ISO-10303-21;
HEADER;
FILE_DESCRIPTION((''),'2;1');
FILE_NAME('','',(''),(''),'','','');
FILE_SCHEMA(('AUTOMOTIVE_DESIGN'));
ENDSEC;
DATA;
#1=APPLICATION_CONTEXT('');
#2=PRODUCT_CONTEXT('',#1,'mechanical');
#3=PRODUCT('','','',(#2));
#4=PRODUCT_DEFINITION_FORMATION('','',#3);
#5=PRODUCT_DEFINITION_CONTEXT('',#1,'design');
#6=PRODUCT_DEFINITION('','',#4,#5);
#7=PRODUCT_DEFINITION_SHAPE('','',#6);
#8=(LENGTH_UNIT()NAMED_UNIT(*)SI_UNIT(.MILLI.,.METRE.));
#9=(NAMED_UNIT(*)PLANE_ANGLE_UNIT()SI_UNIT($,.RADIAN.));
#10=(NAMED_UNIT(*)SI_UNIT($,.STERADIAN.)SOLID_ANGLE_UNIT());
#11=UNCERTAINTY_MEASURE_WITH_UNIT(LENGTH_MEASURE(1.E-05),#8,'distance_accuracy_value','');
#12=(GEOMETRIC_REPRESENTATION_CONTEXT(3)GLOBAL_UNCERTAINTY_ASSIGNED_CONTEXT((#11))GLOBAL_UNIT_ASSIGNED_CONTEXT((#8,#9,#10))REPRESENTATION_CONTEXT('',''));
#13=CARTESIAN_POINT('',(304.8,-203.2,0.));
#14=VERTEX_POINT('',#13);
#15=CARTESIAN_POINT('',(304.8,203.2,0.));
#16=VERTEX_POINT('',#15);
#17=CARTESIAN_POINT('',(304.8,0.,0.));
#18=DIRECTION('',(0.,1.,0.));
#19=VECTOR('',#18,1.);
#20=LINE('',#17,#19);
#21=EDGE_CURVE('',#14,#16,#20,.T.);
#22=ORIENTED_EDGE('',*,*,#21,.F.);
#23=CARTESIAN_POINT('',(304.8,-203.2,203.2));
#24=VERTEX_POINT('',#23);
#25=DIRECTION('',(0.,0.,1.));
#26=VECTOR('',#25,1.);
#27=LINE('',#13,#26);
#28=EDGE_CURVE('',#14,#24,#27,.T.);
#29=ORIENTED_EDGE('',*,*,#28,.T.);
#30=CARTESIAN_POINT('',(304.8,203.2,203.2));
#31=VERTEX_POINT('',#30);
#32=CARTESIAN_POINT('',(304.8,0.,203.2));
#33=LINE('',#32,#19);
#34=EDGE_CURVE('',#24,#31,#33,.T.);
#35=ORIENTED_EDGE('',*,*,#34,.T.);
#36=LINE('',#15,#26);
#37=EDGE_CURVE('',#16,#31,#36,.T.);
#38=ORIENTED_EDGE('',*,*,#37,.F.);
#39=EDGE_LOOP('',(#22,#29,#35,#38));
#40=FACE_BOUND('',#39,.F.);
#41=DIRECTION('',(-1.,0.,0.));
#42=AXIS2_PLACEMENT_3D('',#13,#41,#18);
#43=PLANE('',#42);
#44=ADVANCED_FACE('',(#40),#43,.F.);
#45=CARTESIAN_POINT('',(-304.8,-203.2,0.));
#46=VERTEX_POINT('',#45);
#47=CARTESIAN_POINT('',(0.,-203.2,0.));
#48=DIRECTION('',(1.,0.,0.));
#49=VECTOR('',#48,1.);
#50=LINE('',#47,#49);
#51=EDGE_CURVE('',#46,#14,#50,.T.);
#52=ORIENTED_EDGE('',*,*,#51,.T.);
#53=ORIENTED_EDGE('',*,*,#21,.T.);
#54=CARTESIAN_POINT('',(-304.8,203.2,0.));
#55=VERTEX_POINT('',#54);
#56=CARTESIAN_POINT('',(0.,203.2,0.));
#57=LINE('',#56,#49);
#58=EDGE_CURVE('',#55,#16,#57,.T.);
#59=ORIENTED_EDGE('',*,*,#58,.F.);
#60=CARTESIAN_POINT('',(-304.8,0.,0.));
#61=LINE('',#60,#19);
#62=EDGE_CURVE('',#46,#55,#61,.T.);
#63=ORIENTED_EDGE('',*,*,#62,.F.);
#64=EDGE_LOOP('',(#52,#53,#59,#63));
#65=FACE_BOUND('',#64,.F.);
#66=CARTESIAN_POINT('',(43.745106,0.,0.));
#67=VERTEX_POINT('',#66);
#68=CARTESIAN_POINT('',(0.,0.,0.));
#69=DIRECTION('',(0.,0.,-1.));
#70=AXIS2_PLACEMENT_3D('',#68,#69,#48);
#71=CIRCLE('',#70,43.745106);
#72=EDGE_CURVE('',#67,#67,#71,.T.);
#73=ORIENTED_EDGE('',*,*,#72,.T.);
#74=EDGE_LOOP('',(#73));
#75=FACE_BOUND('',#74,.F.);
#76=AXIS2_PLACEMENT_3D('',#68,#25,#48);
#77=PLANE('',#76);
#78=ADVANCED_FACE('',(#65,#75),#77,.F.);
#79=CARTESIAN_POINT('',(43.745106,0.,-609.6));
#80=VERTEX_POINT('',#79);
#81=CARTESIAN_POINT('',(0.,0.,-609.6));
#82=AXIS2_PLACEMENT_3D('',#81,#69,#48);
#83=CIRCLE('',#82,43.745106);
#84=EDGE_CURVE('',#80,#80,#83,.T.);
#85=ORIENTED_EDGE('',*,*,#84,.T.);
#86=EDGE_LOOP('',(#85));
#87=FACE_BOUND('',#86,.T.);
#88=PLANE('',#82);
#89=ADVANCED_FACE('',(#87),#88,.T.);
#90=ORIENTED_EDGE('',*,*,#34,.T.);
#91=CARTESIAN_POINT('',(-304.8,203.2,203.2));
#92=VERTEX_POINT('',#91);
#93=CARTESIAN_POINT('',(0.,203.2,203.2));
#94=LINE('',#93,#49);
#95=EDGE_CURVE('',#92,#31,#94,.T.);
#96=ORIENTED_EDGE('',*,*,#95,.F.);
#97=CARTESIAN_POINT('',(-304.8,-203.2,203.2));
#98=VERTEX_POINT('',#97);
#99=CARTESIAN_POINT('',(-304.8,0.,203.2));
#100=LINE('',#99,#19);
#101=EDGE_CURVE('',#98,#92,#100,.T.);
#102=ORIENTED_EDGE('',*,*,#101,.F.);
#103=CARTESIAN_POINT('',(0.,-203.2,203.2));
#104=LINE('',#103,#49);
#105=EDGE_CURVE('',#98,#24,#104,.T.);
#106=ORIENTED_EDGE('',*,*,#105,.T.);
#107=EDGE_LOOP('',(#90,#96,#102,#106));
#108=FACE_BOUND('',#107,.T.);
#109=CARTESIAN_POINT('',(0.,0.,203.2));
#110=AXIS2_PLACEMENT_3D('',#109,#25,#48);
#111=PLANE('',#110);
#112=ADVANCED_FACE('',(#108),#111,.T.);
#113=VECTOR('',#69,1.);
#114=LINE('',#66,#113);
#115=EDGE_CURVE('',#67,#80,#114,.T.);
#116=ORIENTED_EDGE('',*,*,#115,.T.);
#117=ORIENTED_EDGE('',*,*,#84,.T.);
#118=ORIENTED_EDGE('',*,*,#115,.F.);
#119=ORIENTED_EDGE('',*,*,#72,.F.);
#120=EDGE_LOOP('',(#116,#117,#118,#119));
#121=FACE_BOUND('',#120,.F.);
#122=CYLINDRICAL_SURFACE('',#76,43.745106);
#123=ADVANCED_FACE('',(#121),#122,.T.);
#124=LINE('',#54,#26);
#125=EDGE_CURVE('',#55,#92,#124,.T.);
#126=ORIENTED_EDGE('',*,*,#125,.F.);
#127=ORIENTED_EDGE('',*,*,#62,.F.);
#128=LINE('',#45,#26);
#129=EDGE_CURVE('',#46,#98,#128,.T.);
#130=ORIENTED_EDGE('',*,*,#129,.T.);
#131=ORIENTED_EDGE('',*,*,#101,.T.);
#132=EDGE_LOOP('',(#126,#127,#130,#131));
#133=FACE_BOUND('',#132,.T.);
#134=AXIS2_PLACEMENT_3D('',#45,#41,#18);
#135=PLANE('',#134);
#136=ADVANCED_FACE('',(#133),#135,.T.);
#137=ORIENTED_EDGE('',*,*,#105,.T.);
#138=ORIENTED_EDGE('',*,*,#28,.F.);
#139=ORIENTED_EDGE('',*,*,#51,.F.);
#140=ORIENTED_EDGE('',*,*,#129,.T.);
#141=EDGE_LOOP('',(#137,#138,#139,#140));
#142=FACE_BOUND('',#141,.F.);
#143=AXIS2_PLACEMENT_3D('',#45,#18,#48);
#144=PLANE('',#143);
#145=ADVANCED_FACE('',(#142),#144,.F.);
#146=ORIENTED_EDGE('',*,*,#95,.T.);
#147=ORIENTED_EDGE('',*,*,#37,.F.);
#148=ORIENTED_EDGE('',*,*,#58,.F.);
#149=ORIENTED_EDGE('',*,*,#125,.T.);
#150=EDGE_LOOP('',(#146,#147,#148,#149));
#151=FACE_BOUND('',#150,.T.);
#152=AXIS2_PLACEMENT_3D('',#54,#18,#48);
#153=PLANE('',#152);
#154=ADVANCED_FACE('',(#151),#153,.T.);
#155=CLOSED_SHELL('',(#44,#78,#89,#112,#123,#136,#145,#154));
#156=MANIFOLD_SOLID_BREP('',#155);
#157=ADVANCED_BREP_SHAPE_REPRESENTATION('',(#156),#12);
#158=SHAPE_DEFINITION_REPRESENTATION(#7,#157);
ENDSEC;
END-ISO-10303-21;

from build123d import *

# Parameters (mm, degrees)
SKETCH_W     = 609.6
SKETCH_H     = 406.4
PAD_DEPTH    = 203.2
SKETCH001_R  = 43.745106
PAD001_DEPTH = 609.6


with BuildPart() as part:
    # Sketch → Pad (new body)
    with BuildSketch(Plane.XY):
        Rectangle(SKETCH_W, SKETCH_H)
    extrude(amount=PAD_DEPTH)

    # Sketch001 (on Face5 of Pad) → Pad001 (join)
    with BuildSketch(Plane(origin=(0, 0, 0), x_dir=(1, 0, 0), z_dir=(0, 0, -1))):
        Circle(SKETCH001_R)
    extrude(amount=PAD001_DEPTH)


solid = part.part
